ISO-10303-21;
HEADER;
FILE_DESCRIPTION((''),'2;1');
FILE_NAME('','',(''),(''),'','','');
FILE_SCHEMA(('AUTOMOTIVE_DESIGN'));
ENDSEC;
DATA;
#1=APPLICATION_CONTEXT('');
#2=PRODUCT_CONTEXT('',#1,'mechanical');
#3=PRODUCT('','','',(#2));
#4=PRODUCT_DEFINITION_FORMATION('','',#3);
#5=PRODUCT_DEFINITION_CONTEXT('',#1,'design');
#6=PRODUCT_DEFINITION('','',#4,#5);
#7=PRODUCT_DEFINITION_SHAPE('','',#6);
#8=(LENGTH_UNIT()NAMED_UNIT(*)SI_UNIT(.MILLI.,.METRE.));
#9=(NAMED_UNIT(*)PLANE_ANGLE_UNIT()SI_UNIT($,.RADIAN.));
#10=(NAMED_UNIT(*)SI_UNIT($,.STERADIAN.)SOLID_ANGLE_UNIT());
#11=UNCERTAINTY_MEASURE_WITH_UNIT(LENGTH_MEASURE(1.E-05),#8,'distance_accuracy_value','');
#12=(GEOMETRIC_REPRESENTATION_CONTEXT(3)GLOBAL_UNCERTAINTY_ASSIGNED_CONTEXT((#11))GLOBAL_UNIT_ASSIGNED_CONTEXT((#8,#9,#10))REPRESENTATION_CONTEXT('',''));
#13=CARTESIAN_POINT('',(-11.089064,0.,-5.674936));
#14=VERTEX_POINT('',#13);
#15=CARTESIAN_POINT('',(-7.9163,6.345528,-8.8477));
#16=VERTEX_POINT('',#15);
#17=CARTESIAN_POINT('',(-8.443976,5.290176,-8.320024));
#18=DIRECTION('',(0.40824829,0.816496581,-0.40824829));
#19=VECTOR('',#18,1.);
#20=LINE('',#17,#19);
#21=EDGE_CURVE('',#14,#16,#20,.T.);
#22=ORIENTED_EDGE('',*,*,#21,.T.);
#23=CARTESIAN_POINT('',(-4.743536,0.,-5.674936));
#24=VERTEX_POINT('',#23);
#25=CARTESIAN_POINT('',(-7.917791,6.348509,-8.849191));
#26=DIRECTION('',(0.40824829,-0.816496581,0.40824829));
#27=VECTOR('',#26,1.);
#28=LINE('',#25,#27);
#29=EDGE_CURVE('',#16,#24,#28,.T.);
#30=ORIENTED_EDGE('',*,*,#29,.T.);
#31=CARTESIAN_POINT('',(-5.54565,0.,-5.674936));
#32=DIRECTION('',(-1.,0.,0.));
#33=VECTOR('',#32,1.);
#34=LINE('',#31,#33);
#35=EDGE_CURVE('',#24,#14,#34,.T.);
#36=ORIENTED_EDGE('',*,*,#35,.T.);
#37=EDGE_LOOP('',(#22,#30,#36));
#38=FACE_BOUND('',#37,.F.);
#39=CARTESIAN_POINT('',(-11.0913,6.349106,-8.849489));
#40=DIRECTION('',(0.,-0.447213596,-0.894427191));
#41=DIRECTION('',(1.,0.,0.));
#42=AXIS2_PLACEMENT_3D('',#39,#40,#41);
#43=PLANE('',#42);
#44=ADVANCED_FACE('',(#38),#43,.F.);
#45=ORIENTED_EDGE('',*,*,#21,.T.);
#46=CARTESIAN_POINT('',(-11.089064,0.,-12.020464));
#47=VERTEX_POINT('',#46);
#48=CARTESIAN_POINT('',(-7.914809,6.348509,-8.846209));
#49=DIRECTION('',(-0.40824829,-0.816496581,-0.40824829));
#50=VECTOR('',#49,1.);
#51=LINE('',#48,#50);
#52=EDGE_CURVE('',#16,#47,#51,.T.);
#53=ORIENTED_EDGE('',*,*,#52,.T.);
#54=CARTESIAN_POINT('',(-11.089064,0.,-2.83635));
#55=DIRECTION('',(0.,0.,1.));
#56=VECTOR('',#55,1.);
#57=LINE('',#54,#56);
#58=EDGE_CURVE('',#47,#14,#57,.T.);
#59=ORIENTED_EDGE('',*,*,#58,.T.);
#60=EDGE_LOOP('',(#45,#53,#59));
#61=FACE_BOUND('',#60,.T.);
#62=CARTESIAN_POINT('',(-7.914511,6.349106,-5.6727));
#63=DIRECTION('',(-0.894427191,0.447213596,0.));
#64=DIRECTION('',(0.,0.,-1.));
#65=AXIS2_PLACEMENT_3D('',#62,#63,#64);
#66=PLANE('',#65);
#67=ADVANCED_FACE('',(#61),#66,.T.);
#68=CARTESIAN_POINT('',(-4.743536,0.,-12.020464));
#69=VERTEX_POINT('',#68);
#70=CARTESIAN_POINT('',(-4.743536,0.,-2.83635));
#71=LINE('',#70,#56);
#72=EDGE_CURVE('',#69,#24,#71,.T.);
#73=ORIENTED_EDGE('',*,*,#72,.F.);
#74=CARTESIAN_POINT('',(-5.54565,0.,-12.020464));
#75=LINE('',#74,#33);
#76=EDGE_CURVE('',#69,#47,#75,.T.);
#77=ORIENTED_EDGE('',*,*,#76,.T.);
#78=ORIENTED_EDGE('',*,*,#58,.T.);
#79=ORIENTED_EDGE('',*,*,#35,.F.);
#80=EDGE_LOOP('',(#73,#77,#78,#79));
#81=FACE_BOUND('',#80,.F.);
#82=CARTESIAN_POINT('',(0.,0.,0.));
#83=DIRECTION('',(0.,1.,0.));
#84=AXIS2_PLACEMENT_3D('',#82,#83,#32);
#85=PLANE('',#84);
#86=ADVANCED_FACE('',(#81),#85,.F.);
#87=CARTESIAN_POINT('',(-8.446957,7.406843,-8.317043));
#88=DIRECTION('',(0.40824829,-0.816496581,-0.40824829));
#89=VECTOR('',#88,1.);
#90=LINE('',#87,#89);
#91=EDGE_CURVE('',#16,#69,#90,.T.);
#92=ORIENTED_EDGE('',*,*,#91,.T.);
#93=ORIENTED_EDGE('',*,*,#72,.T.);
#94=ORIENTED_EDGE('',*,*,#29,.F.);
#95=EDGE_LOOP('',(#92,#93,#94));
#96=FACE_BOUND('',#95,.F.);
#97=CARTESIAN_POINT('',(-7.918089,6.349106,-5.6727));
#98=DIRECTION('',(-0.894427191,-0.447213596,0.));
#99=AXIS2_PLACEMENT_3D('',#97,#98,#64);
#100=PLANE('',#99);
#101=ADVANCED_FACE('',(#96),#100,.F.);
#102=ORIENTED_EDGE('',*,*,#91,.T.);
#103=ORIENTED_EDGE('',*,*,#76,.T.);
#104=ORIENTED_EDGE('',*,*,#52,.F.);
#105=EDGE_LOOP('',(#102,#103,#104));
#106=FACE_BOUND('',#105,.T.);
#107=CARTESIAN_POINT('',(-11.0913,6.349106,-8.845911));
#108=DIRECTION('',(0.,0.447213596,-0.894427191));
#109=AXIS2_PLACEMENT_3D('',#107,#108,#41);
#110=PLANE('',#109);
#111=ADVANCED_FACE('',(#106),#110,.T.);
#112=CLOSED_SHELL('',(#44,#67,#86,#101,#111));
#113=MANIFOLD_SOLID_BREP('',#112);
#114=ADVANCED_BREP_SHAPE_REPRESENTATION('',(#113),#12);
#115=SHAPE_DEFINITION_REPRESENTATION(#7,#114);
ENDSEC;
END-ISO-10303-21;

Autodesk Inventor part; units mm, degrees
sketch "Sketch1" plane through (0, 0, 0) normal (0, 1, 0) x (-1, 0, 0)
  line L0 (11.0913, -5.6727) -> (4.7413, -5.6727)
  line L1 (4.7413, -5.6727) -> (4.7413, -12.0227)
  line L2 (4.7413, -12.0227) -> (11.0913, -12.0227)
  line L3 (11.0913, -12.0227) -> (11.0913, -5.6727)
  point P0 (0, 0)
  dimension "d0" = 6.35
  dimension "d1" = 6.35
extrude "Extrusion1" add sketch "Sketch1" along normal blind 6.35
sketch "Sketch2" plane through (0, 6.35, 0) normal (0, 1, 0) x (1, 0, 0)
  line L0 (-11.0913, 5.6727) -> (-4.7413, 5.6727) projected
  line L1 (-7.9163, 5.6727) -> (-7.9163, 31.288)
  line L2 (-11.0913, 12.0227) -> (-11.0913, 5.6727) projected
  line L3 (-11.0913, 8.8477) -> (-4.7413, 8.8477)
  line L4 (-4.7413, 5.6727) -> (-4.7413, 12.0227) projected
  point P0 (0, 0)
ref_plane "Work Plane1" through (-11.0913, 6.35, -8.8477) normal (0, -0.4472, -0.8944) x (1, 0, 0)
ref_plane "Work Plane2" through (-7.9163, 6.35, -5.6727) normal (-0.8944, -0.4472, 0) x (0, 0, -1)
sketch "Sketch3" plane through (-7.9163, 6.35, -5.6727) normal (-0.8944, -0.4472, 0) x (0, 0, -1)
  circle A0 centre (4.2078, 1.1693) radius 62.6047
  point P0 (-5.6727, 9.2199)
extrude "Extrusion2" cut sketch "Sketch3" against normal blind 6.35
sketch "Sketch4" plane through (-11.0913, 6.35, -8.8477) normal (0, -0.4472, -0.8944) x (1, 0, 0)
  circle A0 centre (3.6539, 12.2089) radius 78.9893
  point P0 (11.0913, 9.6364)
extrude "Extrusion3" cut sketch "Sketch4" against normal blind 6.35
ref_plane "Work Plane3" through (-7.9163, 6.35, -5.6727) normal (-0.8944, 0.4472, 0) x (0, 0, -1)
sketch "Sketch5" plane through (-7.9163, 6.35, -5.6727) normal (-0.8944, 0.4472, 0) x (0, 0, -1)
  circle A0 centre (14.7734, 12.1787) radius 25.4
  point P0 (-5.6727, 2.1393)
  dimension "d14" = 50.8
extrude "Extrusion4" cut sketch "Sketch5" along normal blind 6.35
ref_plane "Work Plane4" through (-11.0913, 6.35, -8.8477) normal (0, 0.4472, -0.8944) x (1, 0, 0)
sketch "Sketch6" plane through (-11.0913, 6.35, -8.8477) normal (0, 0.4472, -0.8944) x (1, 0, 0)
  circle A0 centre (11.0913, 15.7599) radius 33.5156
  point P0 (11.0913, 1.7228)
extrude "Extrusion5" cut sketch "Sketch6" along normal blind 6.35
properties part number "PyramidPiece-ver1-1111-2021"
